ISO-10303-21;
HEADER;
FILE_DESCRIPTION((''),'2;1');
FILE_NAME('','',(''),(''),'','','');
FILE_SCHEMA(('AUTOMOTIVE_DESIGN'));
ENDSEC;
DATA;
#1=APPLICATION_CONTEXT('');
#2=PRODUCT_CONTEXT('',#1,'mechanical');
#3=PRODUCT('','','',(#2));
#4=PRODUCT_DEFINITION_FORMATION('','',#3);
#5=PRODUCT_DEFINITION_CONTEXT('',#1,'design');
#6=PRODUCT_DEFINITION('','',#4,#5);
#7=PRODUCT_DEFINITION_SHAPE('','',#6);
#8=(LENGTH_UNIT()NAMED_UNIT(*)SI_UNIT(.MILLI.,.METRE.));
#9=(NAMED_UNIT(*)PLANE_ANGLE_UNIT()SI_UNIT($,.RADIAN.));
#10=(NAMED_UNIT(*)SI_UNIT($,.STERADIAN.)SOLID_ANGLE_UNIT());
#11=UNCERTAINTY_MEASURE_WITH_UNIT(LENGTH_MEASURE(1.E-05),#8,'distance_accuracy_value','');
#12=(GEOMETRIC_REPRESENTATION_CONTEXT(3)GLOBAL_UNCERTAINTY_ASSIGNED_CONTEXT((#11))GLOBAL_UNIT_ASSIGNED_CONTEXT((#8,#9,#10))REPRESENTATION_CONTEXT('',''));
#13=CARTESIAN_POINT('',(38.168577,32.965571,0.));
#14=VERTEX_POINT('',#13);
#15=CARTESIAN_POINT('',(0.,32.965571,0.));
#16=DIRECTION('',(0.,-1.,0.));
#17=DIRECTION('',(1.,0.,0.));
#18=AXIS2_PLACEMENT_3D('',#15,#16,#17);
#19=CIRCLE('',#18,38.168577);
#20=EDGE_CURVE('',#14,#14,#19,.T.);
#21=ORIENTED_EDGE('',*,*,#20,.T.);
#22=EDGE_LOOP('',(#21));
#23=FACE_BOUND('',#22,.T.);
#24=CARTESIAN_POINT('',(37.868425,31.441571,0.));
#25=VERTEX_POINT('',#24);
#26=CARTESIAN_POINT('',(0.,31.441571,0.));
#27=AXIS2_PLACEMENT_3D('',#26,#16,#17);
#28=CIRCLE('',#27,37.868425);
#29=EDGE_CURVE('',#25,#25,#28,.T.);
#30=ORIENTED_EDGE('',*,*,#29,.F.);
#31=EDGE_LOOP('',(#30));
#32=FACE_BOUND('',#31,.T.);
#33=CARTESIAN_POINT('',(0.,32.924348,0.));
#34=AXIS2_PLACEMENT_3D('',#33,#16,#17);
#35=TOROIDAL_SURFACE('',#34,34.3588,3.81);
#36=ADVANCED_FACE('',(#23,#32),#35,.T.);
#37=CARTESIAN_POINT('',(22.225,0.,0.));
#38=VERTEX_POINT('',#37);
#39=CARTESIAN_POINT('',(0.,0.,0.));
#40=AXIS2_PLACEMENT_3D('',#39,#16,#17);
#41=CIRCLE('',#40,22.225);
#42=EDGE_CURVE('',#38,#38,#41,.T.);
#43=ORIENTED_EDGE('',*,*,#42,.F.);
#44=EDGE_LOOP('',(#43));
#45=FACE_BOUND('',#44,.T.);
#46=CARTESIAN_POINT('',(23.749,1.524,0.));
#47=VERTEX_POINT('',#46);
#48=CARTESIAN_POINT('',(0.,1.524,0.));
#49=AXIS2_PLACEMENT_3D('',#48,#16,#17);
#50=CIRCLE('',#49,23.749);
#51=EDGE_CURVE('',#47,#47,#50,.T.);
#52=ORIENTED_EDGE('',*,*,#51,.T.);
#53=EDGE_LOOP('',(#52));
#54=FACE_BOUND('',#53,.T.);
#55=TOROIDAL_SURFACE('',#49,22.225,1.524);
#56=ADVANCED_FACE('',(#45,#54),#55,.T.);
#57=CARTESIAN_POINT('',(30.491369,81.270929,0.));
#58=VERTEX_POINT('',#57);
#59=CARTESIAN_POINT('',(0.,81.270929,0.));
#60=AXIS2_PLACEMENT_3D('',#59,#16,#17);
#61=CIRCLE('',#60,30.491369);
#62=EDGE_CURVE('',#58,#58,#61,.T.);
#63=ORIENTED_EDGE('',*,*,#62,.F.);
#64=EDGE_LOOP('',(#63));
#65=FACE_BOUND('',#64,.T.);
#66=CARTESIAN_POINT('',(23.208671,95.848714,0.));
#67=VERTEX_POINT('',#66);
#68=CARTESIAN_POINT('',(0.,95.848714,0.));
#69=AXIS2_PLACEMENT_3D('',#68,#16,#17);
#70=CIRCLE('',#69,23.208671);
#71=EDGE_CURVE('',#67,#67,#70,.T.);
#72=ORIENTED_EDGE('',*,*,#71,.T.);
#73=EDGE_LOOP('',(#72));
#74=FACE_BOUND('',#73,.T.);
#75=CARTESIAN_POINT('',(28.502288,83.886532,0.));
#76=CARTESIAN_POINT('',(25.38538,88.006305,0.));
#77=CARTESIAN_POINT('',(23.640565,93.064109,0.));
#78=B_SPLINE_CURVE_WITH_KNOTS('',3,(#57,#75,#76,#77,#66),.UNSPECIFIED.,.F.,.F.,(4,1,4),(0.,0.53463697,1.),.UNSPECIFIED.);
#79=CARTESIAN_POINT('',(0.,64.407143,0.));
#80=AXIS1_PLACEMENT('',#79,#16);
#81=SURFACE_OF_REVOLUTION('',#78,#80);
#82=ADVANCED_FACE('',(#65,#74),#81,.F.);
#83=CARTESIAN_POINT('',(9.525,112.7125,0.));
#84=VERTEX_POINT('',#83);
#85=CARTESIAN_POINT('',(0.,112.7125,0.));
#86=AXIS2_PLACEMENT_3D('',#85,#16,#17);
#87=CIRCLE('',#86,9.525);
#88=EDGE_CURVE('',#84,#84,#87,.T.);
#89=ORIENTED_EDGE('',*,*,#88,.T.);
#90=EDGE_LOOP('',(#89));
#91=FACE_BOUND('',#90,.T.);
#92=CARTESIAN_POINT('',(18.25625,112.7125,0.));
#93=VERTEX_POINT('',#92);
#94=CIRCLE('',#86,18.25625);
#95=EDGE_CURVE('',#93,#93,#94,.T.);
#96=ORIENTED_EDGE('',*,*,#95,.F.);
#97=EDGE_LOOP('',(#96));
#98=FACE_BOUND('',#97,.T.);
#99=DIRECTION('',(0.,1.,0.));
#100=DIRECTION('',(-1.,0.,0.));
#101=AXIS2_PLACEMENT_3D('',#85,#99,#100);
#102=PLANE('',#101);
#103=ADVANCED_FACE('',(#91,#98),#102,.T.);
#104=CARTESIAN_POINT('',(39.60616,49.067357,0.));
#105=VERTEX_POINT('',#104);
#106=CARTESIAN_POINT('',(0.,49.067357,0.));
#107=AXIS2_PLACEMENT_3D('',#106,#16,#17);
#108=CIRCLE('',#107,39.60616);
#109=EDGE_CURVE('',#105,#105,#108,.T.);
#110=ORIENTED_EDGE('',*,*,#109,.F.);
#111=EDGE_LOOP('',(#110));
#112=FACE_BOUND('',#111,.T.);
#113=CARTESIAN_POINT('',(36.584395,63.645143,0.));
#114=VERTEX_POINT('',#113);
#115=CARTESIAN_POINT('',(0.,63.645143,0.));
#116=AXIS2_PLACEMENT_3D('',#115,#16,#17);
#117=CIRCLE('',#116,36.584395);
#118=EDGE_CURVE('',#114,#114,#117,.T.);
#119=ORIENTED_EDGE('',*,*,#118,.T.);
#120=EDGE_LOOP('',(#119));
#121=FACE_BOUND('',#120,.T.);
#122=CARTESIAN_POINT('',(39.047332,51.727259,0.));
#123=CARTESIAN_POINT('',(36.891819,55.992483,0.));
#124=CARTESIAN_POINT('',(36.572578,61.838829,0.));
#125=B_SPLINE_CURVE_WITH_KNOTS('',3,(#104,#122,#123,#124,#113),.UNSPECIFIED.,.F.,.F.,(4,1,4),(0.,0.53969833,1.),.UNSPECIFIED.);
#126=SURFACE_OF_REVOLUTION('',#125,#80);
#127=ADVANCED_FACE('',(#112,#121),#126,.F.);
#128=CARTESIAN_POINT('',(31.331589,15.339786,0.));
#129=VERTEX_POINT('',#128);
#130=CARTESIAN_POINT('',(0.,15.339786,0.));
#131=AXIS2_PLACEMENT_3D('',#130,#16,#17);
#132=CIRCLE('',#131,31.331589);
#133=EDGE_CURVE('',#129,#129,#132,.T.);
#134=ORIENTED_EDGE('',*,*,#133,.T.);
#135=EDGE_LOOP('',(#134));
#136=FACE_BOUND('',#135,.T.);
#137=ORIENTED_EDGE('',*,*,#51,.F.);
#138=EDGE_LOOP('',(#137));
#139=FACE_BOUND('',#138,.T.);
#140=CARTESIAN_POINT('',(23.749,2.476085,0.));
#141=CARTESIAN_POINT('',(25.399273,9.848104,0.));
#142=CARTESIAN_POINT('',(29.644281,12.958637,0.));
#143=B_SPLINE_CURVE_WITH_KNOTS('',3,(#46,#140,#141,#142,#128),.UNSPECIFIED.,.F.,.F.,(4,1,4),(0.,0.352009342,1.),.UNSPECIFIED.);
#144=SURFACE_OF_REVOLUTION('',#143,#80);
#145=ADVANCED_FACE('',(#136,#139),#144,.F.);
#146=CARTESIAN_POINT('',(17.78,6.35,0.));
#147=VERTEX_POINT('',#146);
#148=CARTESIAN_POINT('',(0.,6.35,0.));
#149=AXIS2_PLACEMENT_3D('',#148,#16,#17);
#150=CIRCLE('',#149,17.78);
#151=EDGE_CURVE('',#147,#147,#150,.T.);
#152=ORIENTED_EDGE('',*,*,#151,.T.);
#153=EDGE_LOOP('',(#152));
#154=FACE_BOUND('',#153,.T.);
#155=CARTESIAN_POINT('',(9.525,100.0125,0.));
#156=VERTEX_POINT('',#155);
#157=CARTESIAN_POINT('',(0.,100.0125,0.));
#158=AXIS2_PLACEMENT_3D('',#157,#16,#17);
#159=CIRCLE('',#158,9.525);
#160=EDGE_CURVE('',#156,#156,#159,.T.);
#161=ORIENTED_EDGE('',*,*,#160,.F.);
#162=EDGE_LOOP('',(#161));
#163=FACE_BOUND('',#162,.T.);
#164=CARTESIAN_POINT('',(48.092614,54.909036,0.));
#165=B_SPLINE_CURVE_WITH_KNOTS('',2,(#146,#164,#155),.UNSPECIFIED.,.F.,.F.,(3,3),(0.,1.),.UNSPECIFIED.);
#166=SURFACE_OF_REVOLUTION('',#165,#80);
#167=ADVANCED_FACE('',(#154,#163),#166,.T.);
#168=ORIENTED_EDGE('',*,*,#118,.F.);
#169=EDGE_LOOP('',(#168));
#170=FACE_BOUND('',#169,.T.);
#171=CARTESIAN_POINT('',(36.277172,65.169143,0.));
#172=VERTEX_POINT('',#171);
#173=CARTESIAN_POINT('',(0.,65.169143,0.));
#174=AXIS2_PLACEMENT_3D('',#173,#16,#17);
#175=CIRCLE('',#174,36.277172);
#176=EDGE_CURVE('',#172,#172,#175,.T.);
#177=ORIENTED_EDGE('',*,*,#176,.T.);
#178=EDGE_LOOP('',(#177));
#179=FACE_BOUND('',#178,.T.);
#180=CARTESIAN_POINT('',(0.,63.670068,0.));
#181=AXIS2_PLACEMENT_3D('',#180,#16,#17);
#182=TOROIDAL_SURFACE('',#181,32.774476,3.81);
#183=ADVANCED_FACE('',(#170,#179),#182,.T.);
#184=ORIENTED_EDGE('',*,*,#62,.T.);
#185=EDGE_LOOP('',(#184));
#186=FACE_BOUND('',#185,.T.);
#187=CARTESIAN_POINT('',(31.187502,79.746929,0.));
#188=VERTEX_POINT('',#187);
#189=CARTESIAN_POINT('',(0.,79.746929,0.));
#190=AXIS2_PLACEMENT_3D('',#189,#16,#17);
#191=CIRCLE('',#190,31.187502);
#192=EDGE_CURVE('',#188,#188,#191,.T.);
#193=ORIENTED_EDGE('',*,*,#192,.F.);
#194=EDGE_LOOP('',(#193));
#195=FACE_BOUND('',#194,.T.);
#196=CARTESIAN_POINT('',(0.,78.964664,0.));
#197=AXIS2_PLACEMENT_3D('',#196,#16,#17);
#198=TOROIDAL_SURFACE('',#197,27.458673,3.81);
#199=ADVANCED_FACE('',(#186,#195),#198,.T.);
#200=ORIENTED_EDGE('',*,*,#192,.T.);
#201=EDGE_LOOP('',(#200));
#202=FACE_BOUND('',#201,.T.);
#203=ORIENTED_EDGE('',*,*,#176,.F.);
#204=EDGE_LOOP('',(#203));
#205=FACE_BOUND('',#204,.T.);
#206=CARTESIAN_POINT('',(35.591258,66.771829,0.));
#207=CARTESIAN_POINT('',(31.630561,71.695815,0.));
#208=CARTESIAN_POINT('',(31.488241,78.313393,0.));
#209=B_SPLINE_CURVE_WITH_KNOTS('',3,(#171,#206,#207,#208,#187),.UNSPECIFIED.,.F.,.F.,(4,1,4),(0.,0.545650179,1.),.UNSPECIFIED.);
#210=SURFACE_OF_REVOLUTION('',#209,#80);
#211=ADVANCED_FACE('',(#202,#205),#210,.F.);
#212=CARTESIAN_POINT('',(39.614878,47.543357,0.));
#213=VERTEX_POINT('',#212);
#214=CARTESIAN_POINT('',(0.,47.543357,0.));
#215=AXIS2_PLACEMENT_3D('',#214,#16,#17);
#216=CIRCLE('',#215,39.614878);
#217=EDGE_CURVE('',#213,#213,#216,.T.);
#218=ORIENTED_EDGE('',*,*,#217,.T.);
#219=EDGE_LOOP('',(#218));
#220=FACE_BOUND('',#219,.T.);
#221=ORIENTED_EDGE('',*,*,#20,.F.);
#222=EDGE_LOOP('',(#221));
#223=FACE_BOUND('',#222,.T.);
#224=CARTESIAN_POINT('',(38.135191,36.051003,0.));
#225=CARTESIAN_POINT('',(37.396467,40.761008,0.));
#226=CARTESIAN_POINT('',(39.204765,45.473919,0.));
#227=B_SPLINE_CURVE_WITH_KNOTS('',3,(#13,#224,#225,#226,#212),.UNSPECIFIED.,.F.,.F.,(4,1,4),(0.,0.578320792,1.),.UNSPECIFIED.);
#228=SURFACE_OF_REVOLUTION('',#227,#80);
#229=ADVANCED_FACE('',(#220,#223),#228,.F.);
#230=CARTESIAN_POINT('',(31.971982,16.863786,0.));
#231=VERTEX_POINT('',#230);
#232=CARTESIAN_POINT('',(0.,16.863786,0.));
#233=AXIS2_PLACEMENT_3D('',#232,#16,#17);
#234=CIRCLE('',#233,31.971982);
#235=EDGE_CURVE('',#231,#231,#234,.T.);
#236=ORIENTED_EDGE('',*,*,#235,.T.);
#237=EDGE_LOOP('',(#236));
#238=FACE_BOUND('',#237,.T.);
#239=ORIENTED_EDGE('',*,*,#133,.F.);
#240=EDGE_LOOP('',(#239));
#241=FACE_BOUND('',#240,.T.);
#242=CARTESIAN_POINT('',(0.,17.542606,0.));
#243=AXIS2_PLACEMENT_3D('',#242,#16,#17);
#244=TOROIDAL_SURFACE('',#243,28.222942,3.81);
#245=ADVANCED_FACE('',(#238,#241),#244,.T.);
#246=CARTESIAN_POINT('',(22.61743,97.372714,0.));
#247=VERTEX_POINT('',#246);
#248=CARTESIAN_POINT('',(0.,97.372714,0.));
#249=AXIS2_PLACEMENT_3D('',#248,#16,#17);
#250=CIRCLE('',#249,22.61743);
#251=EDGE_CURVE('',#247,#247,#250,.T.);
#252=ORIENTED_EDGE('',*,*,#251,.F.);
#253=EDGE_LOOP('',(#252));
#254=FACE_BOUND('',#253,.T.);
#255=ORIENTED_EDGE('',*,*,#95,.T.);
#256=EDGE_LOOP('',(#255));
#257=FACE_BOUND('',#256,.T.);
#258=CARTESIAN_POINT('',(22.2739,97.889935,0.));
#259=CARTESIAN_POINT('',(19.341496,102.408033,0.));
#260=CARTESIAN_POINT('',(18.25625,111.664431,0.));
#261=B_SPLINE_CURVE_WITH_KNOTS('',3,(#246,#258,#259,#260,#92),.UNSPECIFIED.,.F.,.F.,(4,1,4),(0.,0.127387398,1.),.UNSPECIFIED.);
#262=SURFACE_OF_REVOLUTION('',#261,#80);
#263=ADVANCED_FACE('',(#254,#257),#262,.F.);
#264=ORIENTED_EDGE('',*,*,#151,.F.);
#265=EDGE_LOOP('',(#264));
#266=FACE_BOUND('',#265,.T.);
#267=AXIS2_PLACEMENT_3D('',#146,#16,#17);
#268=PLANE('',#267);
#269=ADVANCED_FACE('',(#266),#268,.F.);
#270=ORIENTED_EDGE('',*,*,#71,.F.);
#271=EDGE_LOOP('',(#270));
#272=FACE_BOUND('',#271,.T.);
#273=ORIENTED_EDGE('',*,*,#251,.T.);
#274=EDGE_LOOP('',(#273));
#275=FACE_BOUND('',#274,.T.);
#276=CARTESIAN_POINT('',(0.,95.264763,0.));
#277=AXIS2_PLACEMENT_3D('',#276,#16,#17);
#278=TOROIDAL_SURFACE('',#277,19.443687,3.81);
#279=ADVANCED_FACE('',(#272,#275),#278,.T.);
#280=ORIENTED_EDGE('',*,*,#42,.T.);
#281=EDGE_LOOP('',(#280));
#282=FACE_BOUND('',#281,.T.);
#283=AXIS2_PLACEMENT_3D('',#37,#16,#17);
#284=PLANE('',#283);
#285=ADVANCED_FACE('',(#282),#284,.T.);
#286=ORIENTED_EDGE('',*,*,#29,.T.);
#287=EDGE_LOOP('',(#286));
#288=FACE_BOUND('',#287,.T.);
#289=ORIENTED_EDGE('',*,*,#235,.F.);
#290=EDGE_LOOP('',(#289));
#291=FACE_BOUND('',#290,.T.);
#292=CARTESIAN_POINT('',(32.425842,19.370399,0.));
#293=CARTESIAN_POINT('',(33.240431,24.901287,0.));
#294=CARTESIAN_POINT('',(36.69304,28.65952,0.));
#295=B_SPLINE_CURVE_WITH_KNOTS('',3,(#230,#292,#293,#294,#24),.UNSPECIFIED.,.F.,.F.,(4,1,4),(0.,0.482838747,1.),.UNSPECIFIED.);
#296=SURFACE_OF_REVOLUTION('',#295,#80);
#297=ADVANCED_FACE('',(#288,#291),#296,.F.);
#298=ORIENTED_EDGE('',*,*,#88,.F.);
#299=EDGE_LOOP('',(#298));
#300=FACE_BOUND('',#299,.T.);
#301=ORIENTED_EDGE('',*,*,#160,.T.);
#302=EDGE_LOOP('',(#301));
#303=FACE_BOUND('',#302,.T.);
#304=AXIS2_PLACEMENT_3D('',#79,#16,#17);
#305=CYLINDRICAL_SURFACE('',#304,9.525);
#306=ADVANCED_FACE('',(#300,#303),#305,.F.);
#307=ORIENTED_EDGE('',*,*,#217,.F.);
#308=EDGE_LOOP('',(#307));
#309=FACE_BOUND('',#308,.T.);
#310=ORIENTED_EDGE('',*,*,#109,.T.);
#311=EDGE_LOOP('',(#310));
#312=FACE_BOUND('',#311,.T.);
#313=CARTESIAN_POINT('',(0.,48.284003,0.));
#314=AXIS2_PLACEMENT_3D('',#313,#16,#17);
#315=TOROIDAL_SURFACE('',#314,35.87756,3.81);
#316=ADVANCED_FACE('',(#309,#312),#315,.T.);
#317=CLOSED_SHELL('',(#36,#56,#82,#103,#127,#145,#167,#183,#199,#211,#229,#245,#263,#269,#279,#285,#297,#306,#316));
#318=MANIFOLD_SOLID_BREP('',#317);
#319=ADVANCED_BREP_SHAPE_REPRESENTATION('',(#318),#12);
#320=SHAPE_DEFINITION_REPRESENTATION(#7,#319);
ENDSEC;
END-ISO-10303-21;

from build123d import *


with BuildPart() as part:
    # Sketch1 → Revolve1 (revolve)
    with BuildSketch(Plane.XY):
        with BuildLine():
            Line((0, 0), (0, 16.101785714))
            Line((0, 16.101785714), (0, 32.203571429))
            Line((0, 32.203571429), (0, 48.305357143))
            Line((0, 48.305357143), (0, 64.407142857))
            Line((0, 64.407142857), (0, 80.508928571))
            Line((0, 80.508928571), (0, 96.610714286))
            Line((0, 96.610714286), (0, 112.7125))
            Line((0, 112.7125), (18.25625, 112.7125))
            add(Edge.make_bspline(
                [(18.25625, 112.7125), (18.25625, 111.664430702), (19.341495829, 102.408033413), (22.27390025, 97.889934524), (22.61743, 97.372714286)],
                knots=[0, 0, 0, 0, 0.872612602, 1, 1, 1, 1], degree=3))
            ThreePointArc((22.61743, 97.372714286), (22.995746548, 96.642796505), (23.208670962, 95.848714286))
            add(Edge.make_bspline(
                [(23.208670962, 95.848714286), (23.640564895, 93.064108845), (25.385380124, 88.006304591), (28.50228818, 83.886532415), (30.491368604, 81.270928571)],
                knots=[0, 0, 0, 0, 0.46536303, 1, 1, 1, 1], degree=3))
            ThreePointArc((30.491368604, 81.270928571), (30.924245986, 80.547668517), (31.187501518, 79.746928571))
            add(Edge.make_bspline(
                [(31.187501518, 79.746928571), (31.48824056, 78.313393332), (31.630561276, 71.6958148), (35.591258042, 66.771828654), (36.27717165, 65.169142857)],
                knots=[0, 0, 0, 0, 0.454349821, 1, 1, 1, 1], degree=3))
            ThreePointArc((36.27717165, 65.169142857), (36.509342382, 64.422979593), (36.584394883, 63.645142857))
            add(Edge.make_bspline(
                [(36.584394883, 63.645142857), (36.572577769, 61.838829015), (36.891818962, 55.992483353), (39.047331694, 51.727258564), (39.606159568, 49.067357143)],
                knots=[0, 0, 0, 0, 0.46030167, 1, 1, 1, 1], degree=3))
            ThreePointArc((39.606159568, 49.067357143), (39.687497506, 48.305797501), (39.61487761, 47.543357143))
            add(Edge.make_bspline(
                [(39.61487761, 47.543357143), (39.204765294, 45.473919308), (37.396467453, 40.761008431), (38.135191193, 36.051002925), (38.168576567, 32.965571429)],
                knots=[0, 0, 0, 0, 0.421679208, 1, 1, 1, 1], degree=3))
            ThreePointArc((38.168576567, 32.965571429), (38.096988698, 32.188113286), (37.868425269, 31.441571429))
            add(Edge.make_bspline(
                [(37.868425269, 31.441571429), (36.693040272, 28.659520283), (33.240431438, 24.901286966), (32.425842379, 19.370398544), (31.971982421, 16.863785714)],
                knots=[0, 0, 0, 0, 0.517161253, 1, 1, 1, 1], degree=3))
            ThreePointArc((31.971982421, 16.863785714), (31.735435714, 16.066635423), (31.331588674, 15.339785714))
            add(Edge.make_bspline(
                [(31.331588674, 15.339785714), (29.64428117, 12.958636855), (25.399272517, 9.848104096), (23.749, 2.476085237), (23.749, 1.524)],
                knots=[0, 0, 0, 0, 0.647990658, 1, 1, 1, 1], degree=3))
            ThreePointArc((23.749, 1.524), (23.302630735, 0.446369265), (22.225, 0))
            Line((22.225, 0), (0, 0))
        make_face()
    revolve(axis=Axis((0, 64.407142857, 0), (0, 1, 0)))

    # Sketch3 → Cut-Revolve1 (revolve, cut)
    with BuildSketch(Plane.XY):
        with BuildLine():
            Line((0, 112.7125), (9.525, 112.7125))
            Line((9.525, 112.7125), (9.525, 100.0125))
            add(Edge.make_bspline(
                [(9.525, 100.0125), (48.092613646, 54.909035587), (17.78, 6.35)],
                knots=[0, 0, 0, 1, 1, 1], degree=2))
            Line((17.78, 6.35), (0, 6.35))
            Line((0, 6.35), (0, 112.7125))
        make_face()
    revolve(axis=Axis((0, 64.407142857, 0), (0, 1, 0)), mode=Mode.SUBTRACT)


solid = part.part
